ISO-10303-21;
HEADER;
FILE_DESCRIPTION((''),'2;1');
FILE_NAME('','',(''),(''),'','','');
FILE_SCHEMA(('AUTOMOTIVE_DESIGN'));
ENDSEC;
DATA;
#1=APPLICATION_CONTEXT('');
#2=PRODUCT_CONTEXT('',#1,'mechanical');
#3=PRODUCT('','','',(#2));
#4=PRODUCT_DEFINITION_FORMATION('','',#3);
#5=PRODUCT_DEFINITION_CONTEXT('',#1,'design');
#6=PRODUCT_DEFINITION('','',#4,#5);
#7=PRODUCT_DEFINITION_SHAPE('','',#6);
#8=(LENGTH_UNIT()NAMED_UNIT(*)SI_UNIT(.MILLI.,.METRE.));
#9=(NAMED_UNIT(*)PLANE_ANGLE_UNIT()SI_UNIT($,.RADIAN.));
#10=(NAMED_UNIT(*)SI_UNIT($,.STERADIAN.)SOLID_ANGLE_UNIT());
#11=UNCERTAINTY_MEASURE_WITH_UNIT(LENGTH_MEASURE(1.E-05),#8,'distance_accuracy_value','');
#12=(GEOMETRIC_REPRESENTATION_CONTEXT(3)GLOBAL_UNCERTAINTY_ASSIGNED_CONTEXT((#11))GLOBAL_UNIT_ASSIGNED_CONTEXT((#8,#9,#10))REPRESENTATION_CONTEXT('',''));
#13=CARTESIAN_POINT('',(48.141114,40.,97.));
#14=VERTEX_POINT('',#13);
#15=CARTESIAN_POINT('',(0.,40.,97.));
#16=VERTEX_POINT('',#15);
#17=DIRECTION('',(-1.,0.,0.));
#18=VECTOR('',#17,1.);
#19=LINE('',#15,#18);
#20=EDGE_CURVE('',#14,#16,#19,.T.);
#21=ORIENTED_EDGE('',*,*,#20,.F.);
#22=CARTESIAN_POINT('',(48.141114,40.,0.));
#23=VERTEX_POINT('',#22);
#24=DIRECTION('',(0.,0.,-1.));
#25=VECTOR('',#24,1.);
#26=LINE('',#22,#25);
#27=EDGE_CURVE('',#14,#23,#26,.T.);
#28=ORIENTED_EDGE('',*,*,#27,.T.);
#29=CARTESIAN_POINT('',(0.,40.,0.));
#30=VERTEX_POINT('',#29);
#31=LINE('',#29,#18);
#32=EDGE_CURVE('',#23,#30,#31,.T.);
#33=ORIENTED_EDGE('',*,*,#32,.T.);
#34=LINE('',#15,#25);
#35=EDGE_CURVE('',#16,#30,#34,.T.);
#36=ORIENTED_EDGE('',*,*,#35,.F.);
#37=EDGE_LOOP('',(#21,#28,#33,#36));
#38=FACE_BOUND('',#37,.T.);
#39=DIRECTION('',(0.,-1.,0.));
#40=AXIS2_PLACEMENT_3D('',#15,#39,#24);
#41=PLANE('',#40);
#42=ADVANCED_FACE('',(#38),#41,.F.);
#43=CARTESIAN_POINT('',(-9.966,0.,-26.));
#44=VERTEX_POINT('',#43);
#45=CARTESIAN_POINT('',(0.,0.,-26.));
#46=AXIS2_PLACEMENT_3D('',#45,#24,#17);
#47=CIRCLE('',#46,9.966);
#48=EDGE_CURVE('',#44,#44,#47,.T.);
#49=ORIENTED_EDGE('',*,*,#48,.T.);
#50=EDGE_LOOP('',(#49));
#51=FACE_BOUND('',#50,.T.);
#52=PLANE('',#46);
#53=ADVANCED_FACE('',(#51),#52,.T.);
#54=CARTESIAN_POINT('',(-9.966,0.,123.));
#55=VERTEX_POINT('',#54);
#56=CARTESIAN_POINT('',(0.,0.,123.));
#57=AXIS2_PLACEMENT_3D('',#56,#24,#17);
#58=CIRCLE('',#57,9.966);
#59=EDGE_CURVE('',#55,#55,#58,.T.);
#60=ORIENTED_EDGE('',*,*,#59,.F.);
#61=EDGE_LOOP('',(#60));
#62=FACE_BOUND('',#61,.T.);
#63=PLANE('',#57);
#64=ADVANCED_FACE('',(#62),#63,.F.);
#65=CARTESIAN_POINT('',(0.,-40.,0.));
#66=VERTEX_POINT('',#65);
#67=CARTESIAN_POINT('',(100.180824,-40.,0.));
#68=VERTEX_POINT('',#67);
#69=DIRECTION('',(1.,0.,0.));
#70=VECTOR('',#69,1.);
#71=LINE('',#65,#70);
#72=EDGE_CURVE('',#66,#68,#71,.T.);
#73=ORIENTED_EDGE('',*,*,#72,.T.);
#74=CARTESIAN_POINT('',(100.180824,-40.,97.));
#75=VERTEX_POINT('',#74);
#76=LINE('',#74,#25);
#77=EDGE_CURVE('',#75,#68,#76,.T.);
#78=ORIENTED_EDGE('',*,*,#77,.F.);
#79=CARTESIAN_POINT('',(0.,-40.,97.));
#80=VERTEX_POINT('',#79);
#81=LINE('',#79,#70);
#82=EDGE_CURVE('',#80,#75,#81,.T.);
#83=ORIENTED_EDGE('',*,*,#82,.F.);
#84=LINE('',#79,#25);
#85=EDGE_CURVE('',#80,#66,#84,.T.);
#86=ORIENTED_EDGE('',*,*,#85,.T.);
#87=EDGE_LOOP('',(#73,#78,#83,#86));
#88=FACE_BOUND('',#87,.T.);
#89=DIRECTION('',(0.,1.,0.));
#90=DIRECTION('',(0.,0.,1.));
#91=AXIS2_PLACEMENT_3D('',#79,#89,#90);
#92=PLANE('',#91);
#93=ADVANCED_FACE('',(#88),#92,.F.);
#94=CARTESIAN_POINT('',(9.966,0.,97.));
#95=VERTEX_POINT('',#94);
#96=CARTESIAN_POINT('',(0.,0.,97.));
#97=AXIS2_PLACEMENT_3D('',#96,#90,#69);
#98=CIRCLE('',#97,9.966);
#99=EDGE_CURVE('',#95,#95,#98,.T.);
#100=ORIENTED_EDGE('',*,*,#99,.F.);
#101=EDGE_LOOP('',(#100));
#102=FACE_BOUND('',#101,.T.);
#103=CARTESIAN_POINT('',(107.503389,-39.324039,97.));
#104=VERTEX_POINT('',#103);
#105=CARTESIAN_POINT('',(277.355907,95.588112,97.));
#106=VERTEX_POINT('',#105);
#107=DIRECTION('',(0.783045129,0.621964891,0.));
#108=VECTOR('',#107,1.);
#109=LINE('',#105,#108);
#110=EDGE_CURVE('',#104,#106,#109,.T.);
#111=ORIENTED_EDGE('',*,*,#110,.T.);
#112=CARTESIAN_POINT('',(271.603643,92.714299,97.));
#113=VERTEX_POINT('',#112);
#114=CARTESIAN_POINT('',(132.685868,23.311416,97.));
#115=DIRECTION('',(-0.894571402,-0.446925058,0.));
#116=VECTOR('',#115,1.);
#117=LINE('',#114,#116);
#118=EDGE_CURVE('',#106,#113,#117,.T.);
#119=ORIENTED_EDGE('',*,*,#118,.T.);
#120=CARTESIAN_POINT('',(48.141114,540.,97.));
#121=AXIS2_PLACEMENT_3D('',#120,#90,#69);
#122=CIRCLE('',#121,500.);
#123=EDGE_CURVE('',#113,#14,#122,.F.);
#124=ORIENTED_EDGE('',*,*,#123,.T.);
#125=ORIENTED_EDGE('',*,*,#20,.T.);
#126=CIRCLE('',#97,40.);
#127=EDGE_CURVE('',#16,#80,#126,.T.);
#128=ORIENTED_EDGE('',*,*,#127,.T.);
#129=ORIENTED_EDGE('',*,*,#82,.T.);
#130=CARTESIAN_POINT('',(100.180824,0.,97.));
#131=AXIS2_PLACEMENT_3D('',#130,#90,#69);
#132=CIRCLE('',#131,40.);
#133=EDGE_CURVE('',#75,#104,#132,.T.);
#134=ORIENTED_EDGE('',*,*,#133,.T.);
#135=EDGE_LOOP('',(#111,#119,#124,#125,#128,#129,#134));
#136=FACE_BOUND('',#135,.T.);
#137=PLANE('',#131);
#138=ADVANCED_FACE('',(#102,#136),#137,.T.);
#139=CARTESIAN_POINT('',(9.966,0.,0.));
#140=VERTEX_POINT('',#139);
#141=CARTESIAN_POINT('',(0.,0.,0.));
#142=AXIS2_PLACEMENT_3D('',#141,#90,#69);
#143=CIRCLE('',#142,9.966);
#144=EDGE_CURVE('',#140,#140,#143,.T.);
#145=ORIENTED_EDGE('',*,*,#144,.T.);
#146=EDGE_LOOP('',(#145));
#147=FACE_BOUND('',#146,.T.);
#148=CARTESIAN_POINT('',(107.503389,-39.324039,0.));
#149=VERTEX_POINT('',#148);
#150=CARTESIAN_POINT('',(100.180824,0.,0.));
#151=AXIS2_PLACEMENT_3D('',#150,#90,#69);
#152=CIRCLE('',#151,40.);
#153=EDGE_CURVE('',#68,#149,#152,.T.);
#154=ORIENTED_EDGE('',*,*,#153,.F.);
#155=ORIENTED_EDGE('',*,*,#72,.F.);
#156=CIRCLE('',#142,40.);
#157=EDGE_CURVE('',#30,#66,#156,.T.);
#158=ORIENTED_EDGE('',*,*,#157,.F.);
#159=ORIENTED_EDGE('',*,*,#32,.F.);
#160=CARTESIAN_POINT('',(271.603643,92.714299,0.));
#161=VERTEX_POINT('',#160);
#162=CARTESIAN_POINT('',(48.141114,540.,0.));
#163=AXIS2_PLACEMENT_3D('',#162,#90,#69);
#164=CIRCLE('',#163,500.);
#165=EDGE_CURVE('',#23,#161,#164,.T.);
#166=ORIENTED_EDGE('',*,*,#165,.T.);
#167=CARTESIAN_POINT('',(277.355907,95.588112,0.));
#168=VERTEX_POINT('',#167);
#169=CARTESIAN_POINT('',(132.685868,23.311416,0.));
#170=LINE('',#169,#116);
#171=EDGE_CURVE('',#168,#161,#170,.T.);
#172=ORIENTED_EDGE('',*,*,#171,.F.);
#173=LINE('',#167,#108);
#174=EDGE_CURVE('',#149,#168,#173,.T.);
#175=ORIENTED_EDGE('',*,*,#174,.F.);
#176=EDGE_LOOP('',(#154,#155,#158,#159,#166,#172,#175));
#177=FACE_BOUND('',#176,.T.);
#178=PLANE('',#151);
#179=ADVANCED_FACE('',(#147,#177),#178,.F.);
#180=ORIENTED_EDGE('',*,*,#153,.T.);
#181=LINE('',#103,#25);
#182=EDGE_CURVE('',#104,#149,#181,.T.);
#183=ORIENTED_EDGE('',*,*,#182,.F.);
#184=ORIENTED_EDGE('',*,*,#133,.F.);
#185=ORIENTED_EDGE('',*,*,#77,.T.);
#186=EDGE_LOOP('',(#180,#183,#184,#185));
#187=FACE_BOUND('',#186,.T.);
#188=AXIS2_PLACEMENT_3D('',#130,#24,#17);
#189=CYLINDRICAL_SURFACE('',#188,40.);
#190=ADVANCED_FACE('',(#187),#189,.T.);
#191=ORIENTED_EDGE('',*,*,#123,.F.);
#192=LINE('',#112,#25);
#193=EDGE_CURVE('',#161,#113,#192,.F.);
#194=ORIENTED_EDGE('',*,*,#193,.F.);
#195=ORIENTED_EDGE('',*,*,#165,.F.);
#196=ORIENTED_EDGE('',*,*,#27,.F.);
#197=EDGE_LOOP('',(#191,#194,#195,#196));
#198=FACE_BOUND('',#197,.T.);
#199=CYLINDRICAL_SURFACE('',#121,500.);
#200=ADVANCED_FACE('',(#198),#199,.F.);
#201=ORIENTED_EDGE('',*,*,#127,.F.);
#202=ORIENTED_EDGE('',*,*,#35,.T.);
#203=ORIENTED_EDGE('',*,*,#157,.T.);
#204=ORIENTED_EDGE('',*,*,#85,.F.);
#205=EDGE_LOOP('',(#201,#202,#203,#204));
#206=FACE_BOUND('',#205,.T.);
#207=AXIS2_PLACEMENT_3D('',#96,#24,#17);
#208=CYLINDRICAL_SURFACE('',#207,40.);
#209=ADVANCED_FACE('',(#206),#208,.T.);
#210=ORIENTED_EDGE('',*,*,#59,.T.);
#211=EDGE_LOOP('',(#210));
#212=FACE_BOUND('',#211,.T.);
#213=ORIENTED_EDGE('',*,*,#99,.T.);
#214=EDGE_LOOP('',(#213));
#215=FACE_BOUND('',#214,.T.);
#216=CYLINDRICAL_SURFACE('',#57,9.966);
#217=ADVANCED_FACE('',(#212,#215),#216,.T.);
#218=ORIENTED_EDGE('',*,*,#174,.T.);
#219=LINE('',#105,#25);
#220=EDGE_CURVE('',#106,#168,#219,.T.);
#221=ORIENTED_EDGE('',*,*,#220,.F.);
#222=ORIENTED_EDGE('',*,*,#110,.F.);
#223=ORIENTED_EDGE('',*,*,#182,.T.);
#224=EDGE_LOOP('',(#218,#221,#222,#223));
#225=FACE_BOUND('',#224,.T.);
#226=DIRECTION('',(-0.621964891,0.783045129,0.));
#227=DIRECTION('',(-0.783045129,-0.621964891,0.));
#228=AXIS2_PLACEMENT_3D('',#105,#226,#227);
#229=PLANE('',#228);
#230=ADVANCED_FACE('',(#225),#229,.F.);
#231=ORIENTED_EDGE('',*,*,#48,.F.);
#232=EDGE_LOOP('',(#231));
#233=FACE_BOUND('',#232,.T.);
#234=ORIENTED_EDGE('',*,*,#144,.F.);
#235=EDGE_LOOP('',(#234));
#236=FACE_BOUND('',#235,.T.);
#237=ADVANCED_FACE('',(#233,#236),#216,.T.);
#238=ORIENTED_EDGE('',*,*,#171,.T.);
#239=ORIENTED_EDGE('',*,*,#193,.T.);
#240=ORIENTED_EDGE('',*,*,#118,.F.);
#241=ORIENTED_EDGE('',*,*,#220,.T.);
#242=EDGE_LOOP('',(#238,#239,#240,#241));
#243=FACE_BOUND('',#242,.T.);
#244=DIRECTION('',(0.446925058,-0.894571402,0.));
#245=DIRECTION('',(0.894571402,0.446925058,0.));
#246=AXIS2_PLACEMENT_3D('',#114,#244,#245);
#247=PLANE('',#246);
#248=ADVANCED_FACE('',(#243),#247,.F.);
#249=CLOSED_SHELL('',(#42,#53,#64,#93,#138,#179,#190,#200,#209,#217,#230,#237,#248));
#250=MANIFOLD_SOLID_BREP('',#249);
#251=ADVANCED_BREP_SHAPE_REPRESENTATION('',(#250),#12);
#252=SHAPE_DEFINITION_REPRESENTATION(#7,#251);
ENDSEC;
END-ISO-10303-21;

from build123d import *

# Parameters (mm, degrees)
SALIENTE_EXTRUIR2_DEPTH      = 97
REDONDEO2_R                  = 500
SALIENTE_EXTRUIR3_DEPTH      = 26
SALIENTE_EXTRUIR3_DEPTH_BACK = 123
CROQUIS2_R                   = 9.966


with BuildPart() as part:
    # Croquis1 → Saliente-Extruir2 (new body)
    with BuildSketch(Plane.XY):
        with BuildLine():
            Line((0, 40), (100.180824208, 40))
            ThreePointArc((100.180824208, 40), (118.45024357, 35.584102014), (132.685868325, 23.311415808))
            Line((132.685868325, 23.311415808), (277.355906926, 95.588111944))
            Line((277.355906926, 95.588111944), (107.503389255, -39.324038973))
            ThreePointArc((107.503389255, -39.324038973), (103.857673476, -39.830651256), (100.180824208, -40))
            Line((100.180824208, -40), (0, -40))
            ThreePointArc((0, -40), (-40, 0), (0, 40))
        make_face()
    extrude(amount=SALIENTE_EXTRUIR2_DEPTH)

    # Redondeo2
    redondeo2_edges = [part.edges().sort_by_distance(p)[0] for p in [
        (132.685868325, 23.311415808, 48.5),
    ]]
    fillet(redondeo2_edges, radius=REDONDEO2_R)

    # Croquis2 → Saliente-Extruir3 (add, two sides: drawn at the far end of the back side and taken through both)
    with BuildSketch(Plane(origin=(0, 0, 0), x_dir=(-1, 0, 0), z_dir=(0, 0, -1)).offset(-SALIENTE_EXTRUIR3_DEPTH_BACK)):
        Circle(CROQUIS2_R)
    extrude(amount=SALIENTE_EXTRUIR3_DEPTH + SALIENTE_EXTRUIR3_DEPTH_BACK)


solid = part.part
